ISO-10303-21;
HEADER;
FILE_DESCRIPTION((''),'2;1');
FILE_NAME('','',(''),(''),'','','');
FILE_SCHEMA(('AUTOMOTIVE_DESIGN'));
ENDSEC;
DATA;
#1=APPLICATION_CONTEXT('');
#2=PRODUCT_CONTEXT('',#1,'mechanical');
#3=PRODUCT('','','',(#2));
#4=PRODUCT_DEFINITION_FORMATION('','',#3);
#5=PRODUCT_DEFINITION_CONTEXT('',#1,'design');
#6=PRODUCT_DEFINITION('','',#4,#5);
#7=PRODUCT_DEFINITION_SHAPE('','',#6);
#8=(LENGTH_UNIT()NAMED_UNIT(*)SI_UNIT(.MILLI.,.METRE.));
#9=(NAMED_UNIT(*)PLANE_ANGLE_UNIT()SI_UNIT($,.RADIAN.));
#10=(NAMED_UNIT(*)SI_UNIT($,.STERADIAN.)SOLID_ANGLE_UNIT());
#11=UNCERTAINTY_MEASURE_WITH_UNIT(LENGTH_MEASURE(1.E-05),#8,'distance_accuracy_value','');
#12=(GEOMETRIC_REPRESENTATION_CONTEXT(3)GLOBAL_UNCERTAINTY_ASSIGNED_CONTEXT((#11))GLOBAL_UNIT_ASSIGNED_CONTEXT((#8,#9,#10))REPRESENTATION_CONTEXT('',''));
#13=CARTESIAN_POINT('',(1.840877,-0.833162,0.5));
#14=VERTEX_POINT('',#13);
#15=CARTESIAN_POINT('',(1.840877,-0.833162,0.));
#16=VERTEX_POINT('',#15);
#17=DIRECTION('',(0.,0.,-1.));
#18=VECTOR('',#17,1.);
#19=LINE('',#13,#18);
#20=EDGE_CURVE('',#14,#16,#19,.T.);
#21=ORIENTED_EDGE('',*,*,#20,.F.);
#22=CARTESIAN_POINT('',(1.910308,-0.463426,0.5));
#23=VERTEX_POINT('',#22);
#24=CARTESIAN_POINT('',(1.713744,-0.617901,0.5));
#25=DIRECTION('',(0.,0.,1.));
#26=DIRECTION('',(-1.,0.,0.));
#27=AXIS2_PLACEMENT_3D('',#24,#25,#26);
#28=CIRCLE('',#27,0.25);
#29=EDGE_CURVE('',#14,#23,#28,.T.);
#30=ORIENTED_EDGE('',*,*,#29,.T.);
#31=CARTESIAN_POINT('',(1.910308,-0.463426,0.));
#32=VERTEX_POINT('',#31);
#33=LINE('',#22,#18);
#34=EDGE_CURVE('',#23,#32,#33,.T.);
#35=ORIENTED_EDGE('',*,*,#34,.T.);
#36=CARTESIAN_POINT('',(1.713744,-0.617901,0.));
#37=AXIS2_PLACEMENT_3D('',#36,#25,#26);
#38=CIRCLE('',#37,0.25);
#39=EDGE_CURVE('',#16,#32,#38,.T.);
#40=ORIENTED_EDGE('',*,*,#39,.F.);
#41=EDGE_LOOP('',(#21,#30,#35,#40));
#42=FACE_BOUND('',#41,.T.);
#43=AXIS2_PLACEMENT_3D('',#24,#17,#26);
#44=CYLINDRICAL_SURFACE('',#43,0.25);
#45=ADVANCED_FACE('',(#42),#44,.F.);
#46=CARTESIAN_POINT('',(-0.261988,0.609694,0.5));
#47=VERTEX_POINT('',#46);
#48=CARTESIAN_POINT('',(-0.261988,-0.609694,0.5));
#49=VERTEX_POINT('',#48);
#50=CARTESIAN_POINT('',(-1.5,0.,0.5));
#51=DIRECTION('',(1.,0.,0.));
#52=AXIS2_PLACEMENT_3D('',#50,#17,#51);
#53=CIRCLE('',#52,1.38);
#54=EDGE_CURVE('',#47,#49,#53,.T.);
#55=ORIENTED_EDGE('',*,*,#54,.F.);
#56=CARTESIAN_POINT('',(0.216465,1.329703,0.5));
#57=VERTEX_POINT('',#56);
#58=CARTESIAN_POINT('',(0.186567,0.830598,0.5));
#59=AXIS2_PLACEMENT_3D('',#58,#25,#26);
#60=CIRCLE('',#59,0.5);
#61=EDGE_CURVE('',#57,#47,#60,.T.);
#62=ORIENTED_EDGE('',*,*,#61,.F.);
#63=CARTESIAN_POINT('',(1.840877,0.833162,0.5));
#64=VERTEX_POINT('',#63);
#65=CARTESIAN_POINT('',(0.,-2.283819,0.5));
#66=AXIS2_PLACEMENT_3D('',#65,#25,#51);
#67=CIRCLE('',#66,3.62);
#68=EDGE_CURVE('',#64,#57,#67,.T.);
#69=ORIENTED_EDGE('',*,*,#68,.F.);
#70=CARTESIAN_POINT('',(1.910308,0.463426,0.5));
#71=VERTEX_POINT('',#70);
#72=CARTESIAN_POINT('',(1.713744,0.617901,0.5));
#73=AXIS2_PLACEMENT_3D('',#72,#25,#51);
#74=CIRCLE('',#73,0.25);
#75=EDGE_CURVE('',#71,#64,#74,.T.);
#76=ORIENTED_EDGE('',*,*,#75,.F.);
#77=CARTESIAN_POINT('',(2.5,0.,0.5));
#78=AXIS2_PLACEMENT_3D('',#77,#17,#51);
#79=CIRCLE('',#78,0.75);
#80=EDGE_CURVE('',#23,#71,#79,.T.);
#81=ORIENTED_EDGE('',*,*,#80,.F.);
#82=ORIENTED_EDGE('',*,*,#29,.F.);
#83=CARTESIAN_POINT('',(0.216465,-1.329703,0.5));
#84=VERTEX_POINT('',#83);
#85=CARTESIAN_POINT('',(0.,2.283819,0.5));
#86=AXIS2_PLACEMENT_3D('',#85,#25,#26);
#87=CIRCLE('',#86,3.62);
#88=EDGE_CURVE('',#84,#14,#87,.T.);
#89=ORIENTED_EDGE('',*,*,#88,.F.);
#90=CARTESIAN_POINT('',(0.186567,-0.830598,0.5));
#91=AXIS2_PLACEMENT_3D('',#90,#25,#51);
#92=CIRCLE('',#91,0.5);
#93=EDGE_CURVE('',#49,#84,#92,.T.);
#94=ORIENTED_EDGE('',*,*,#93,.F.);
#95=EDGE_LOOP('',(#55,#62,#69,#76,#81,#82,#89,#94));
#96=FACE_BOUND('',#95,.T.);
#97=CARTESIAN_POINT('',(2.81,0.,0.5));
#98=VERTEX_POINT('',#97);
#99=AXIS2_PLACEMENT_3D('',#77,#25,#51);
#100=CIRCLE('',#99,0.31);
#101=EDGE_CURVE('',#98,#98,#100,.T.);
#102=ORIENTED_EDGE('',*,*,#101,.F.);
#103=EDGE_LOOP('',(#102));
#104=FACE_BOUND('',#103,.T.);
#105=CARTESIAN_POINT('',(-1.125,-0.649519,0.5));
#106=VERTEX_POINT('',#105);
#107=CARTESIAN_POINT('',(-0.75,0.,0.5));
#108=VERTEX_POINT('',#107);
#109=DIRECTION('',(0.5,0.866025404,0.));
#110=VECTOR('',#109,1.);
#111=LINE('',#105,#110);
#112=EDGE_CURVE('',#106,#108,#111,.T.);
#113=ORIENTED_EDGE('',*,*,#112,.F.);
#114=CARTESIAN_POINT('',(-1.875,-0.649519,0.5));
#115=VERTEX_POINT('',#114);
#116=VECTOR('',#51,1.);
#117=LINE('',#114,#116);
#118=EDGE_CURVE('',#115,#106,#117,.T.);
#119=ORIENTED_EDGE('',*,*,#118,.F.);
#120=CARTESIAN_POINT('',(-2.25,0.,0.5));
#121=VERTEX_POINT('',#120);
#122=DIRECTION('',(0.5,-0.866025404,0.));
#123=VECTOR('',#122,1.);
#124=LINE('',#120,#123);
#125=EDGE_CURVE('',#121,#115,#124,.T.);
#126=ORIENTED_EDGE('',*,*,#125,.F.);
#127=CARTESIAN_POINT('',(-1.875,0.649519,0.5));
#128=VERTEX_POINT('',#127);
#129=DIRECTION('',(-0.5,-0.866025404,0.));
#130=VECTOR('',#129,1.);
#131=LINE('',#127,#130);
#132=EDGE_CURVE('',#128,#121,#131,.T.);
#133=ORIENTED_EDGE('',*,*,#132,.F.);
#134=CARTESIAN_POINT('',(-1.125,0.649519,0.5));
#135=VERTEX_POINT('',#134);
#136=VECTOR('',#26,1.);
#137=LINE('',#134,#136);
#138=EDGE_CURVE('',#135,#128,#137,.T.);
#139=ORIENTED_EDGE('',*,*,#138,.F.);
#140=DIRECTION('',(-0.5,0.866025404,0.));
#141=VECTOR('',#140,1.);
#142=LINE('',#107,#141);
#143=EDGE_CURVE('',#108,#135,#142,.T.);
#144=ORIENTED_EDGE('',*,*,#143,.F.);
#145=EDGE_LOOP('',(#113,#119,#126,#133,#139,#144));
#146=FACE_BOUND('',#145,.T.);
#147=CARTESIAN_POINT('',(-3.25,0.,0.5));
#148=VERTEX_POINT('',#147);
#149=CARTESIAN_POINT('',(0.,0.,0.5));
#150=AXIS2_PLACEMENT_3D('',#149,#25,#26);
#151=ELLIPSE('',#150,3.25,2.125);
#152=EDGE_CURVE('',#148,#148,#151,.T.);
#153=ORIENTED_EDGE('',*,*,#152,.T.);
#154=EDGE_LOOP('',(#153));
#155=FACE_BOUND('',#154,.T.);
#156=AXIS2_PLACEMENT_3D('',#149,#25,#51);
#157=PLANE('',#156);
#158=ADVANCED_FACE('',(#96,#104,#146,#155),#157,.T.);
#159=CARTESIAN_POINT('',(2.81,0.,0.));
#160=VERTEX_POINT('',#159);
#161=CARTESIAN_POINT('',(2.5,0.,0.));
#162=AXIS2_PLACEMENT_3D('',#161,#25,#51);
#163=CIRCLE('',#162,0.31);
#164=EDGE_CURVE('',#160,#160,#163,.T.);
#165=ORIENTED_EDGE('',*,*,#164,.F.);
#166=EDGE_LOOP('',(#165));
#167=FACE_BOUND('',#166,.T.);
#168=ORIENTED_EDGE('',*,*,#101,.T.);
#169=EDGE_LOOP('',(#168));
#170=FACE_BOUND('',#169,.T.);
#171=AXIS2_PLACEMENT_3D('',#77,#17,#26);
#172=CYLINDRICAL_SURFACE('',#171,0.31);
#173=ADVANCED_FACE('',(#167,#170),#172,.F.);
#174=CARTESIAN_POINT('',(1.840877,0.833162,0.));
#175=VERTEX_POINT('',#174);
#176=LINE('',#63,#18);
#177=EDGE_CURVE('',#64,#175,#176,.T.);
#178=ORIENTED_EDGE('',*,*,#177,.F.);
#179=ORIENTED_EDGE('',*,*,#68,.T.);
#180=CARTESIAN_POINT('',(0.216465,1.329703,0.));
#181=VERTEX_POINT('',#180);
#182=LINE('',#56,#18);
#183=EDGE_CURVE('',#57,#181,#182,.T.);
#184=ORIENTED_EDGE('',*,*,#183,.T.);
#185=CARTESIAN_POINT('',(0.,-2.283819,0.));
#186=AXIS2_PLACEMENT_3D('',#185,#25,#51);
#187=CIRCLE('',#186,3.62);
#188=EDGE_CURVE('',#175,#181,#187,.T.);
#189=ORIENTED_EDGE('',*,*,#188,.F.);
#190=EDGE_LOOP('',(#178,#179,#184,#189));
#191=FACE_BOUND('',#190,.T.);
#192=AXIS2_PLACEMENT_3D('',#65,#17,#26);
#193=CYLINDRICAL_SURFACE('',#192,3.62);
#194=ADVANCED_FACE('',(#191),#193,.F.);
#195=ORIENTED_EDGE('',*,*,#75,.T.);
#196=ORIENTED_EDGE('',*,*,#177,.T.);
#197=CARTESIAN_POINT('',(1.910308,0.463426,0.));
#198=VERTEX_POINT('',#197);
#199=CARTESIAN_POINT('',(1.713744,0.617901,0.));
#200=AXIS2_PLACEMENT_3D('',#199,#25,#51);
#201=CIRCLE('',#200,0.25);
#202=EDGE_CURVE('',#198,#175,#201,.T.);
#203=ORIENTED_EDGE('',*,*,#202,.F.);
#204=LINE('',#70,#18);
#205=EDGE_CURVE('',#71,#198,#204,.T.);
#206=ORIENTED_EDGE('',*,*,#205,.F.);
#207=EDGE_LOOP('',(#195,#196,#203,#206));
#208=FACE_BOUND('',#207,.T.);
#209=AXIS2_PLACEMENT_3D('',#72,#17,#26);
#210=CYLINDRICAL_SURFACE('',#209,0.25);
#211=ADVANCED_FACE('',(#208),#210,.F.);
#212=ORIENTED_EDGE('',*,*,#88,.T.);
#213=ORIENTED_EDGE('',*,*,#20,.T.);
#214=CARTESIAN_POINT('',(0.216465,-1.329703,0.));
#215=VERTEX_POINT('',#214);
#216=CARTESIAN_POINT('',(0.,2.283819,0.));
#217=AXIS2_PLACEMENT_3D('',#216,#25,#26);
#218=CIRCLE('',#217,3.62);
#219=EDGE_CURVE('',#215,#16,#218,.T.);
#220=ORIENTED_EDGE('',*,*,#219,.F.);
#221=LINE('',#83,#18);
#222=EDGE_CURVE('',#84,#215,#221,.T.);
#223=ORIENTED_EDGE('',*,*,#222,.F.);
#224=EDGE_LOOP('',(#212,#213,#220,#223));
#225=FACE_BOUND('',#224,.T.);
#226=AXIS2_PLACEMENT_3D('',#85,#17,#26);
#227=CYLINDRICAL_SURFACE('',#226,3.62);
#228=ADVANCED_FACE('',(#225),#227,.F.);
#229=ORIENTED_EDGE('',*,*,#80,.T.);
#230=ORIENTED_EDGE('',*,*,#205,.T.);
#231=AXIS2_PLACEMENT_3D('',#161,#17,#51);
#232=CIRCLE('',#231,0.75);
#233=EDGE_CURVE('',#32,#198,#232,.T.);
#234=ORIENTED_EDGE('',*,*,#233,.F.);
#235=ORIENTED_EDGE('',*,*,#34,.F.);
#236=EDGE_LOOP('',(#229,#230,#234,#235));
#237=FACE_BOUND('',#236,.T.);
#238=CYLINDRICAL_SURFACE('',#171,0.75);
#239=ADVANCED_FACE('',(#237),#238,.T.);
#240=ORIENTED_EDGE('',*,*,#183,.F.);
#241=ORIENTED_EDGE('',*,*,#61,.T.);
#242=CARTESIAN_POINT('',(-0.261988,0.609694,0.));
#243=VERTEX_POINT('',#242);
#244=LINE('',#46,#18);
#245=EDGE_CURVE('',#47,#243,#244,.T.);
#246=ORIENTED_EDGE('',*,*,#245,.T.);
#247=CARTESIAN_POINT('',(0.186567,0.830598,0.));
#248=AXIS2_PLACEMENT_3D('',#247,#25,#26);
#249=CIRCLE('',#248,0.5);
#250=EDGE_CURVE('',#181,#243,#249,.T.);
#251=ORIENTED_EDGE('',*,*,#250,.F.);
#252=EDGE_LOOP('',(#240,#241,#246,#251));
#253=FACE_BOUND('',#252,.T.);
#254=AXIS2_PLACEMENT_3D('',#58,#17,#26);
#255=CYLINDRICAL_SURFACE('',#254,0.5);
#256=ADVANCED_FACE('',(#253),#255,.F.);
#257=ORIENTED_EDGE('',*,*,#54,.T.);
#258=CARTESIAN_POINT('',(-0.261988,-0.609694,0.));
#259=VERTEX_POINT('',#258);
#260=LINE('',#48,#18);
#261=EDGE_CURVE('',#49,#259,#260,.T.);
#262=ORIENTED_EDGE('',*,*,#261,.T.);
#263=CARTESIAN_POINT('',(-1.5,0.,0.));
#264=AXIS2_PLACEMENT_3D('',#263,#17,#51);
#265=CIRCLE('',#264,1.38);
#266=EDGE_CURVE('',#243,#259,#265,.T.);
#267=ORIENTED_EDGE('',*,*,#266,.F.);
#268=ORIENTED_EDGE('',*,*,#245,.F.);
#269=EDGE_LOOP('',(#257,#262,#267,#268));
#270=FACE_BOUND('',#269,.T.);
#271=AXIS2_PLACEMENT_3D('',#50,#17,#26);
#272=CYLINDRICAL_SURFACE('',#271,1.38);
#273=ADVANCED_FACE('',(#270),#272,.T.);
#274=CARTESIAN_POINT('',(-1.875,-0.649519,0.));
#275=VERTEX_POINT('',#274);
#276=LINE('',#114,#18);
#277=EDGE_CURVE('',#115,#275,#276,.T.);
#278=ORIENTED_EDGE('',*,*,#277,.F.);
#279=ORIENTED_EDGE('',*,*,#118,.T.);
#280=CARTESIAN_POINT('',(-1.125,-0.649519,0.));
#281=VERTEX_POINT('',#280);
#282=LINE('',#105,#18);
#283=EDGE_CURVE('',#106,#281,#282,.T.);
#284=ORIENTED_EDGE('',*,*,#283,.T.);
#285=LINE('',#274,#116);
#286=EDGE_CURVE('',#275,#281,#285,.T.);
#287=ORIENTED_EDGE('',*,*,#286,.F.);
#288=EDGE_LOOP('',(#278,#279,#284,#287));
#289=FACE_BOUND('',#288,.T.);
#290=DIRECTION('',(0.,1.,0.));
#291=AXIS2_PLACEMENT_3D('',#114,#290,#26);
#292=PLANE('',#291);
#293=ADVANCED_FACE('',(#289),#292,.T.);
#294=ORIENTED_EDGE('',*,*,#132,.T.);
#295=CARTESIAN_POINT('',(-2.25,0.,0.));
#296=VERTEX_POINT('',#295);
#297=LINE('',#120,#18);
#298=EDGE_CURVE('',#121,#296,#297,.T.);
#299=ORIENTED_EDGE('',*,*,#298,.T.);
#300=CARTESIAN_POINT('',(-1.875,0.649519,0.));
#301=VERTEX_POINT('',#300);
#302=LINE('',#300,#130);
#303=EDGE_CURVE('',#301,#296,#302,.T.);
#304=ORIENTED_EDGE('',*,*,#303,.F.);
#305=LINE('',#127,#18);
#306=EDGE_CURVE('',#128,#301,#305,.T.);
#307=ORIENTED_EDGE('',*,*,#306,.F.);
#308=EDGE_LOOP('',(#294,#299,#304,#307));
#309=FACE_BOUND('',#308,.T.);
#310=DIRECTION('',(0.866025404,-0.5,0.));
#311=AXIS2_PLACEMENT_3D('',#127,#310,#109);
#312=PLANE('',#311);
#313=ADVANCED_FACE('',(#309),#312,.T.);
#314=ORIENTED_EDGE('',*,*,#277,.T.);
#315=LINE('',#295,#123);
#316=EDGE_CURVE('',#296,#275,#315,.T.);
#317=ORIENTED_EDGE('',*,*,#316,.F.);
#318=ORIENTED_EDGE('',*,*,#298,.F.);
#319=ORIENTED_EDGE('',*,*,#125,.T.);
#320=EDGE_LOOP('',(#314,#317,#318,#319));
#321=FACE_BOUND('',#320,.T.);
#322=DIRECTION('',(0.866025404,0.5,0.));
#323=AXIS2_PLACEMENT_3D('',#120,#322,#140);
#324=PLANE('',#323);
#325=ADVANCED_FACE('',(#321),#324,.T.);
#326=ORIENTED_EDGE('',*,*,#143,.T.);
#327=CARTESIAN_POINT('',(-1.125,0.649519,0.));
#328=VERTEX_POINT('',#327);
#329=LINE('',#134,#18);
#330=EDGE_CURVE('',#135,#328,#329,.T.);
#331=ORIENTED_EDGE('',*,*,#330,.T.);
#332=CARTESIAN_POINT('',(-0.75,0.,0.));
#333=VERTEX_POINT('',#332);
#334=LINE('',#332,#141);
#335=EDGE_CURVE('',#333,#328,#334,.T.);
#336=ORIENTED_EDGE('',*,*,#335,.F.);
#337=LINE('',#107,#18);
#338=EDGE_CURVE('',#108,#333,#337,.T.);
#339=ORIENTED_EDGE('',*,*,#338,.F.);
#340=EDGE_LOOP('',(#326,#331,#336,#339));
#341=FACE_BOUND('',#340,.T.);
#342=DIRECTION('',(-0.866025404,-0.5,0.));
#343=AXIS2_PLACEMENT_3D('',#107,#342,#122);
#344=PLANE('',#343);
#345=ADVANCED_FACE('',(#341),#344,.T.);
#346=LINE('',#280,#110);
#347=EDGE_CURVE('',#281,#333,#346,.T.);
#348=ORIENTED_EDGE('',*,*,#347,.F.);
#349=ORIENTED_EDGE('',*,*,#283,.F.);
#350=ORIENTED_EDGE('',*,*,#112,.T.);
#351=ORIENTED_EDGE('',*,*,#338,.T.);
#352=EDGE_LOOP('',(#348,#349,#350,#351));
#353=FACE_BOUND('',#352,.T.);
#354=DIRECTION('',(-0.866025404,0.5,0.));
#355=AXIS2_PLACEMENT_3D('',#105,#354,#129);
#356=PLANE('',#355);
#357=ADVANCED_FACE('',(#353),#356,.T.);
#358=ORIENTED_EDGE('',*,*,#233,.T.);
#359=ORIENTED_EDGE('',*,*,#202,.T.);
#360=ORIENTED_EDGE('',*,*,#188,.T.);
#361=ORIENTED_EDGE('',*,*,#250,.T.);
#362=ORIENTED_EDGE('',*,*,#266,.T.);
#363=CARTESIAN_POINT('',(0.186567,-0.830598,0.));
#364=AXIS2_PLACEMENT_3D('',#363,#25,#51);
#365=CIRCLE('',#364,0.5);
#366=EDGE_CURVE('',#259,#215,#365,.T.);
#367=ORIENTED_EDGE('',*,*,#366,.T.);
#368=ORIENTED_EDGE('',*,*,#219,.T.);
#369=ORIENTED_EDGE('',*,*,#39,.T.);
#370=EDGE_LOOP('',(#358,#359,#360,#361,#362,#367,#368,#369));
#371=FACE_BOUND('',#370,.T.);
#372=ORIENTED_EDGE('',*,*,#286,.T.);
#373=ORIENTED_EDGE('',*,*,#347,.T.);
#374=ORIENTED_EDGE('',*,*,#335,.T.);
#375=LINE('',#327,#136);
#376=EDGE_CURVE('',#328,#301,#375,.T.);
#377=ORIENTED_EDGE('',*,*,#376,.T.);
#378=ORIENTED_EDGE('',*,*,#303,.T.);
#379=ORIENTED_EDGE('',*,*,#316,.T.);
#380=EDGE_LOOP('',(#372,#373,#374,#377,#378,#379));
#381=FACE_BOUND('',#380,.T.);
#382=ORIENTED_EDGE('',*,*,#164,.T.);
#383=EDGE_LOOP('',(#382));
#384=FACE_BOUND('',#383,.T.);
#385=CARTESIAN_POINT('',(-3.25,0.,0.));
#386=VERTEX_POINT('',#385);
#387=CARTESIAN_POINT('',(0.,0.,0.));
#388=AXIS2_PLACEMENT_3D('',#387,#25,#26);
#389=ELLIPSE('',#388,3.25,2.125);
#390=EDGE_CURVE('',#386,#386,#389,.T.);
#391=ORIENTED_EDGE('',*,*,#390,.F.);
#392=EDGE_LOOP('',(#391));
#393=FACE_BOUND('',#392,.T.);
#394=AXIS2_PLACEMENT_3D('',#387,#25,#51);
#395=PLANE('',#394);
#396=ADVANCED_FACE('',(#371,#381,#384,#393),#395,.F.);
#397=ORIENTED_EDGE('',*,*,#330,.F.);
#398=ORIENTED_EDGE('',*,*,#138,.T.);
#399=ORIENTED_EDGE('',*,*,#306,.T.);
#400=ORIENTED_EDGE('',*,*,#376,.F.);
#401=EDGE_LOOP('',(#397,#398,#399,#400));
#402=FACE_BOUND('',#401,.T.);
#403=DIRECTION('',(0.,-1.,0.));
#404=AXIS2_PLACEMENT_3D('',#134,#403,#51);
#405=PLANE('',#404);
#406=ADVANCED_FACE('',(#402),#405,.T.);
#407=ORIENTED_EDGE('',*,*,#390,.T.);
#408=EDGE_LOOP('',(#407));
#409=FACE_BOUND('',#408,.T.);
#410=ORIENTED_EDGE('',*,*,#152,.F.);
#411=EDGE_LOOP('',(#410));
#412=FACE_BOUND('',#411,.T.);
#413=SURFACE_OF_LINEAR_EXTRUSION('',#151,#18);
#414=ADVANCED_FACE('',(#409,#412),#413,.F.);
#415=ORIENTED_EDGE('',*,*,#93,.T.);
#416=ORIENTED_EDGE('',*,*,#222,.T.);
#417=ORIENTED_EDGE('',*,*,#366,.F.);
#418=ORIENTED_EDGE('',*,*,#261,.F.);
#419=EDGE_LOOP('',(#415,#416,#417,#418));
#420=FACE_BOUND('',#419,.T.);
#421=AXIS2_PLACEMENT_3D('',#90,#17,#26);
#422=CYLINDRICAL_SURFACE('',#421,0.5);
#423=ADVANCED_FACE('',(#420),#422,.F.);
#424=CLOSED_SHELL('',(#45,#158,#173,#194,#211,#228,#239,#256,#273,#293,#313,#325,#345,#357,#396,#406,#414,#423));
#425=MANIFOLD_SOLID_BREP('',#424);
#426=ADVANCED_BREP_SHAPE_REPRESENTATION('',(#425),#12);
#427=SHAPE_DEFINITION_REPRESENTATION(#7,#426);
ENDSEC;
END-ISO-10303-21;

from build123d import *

# Parameters (mm, degrees)
SKETCH1_RX          = 3.25
SKETCH1_RY          = 2.125
SKETCH1_R           = 0.31
BOSS_EXTRUDE1_DEPTH = 0.5


with BuildPart() as part:
    # Sketch1 → Boss-Extrude1 (new body)
    with BuildSketch(Plane.XY):
        with Locations(Location((0, 0), (0, 0, 180))):
            Ellipse(SKETCH1_RX, SKETCH1_RY)
        with Locations((2.5, 0)):
            Circle(SKETCH1_R, mode=Mode.SUBTRACT)
        Polygon((-0.75, 0), (-1.125, 0.649519053), (-1.875, 0.649519053), (-2.25, 0), (-1.875, -0.649519053), (-1.125, -0.649519053), align=None, mode=Mode.SUBTRACT)
        with BuildLine():
            ThreePointArc((1.91030814, 0.463425841), (1.75, 0), (1.91030814, -0.463425841))
            ThreePointArc((1.91030814, -0.463425841), (1.959449463, -0.664041312), (1.840876545, -0.833162274))
            ThreePointArc((1.840876545, -0.833162274), (1.05820698, -1.178058606), (0.216465271, -1.329703007))
            ThreePointArc((0.216465271, -1.329703007), (-0.229872347, -1.107325891), (-0.261988234, -0.609694078))
            ThreePointArc((-0.261988234, -0.609694078), (-0.12, 0), (-0.261988234, 0.609694078))
            ThreePointArc((-0.261988234, 0.609694078), (-0.229872347, 1.107325891), (0.216465271, 1.329703007))
            ThreePointArc((0.216465271, 1.329703007), (1.05820698, 1.178058606), (1.840876545, 0.833162274))
            ThreePointArc((1.840876545, 0.833162274), (1.959449463, 0.664041312), (1.91030814, 0.463425841))
        make_face(mode=Mode.SUBTRACT)
    extrude(amount=BOSS_EXTRUDE1_DEPTH)


solid = part.part
